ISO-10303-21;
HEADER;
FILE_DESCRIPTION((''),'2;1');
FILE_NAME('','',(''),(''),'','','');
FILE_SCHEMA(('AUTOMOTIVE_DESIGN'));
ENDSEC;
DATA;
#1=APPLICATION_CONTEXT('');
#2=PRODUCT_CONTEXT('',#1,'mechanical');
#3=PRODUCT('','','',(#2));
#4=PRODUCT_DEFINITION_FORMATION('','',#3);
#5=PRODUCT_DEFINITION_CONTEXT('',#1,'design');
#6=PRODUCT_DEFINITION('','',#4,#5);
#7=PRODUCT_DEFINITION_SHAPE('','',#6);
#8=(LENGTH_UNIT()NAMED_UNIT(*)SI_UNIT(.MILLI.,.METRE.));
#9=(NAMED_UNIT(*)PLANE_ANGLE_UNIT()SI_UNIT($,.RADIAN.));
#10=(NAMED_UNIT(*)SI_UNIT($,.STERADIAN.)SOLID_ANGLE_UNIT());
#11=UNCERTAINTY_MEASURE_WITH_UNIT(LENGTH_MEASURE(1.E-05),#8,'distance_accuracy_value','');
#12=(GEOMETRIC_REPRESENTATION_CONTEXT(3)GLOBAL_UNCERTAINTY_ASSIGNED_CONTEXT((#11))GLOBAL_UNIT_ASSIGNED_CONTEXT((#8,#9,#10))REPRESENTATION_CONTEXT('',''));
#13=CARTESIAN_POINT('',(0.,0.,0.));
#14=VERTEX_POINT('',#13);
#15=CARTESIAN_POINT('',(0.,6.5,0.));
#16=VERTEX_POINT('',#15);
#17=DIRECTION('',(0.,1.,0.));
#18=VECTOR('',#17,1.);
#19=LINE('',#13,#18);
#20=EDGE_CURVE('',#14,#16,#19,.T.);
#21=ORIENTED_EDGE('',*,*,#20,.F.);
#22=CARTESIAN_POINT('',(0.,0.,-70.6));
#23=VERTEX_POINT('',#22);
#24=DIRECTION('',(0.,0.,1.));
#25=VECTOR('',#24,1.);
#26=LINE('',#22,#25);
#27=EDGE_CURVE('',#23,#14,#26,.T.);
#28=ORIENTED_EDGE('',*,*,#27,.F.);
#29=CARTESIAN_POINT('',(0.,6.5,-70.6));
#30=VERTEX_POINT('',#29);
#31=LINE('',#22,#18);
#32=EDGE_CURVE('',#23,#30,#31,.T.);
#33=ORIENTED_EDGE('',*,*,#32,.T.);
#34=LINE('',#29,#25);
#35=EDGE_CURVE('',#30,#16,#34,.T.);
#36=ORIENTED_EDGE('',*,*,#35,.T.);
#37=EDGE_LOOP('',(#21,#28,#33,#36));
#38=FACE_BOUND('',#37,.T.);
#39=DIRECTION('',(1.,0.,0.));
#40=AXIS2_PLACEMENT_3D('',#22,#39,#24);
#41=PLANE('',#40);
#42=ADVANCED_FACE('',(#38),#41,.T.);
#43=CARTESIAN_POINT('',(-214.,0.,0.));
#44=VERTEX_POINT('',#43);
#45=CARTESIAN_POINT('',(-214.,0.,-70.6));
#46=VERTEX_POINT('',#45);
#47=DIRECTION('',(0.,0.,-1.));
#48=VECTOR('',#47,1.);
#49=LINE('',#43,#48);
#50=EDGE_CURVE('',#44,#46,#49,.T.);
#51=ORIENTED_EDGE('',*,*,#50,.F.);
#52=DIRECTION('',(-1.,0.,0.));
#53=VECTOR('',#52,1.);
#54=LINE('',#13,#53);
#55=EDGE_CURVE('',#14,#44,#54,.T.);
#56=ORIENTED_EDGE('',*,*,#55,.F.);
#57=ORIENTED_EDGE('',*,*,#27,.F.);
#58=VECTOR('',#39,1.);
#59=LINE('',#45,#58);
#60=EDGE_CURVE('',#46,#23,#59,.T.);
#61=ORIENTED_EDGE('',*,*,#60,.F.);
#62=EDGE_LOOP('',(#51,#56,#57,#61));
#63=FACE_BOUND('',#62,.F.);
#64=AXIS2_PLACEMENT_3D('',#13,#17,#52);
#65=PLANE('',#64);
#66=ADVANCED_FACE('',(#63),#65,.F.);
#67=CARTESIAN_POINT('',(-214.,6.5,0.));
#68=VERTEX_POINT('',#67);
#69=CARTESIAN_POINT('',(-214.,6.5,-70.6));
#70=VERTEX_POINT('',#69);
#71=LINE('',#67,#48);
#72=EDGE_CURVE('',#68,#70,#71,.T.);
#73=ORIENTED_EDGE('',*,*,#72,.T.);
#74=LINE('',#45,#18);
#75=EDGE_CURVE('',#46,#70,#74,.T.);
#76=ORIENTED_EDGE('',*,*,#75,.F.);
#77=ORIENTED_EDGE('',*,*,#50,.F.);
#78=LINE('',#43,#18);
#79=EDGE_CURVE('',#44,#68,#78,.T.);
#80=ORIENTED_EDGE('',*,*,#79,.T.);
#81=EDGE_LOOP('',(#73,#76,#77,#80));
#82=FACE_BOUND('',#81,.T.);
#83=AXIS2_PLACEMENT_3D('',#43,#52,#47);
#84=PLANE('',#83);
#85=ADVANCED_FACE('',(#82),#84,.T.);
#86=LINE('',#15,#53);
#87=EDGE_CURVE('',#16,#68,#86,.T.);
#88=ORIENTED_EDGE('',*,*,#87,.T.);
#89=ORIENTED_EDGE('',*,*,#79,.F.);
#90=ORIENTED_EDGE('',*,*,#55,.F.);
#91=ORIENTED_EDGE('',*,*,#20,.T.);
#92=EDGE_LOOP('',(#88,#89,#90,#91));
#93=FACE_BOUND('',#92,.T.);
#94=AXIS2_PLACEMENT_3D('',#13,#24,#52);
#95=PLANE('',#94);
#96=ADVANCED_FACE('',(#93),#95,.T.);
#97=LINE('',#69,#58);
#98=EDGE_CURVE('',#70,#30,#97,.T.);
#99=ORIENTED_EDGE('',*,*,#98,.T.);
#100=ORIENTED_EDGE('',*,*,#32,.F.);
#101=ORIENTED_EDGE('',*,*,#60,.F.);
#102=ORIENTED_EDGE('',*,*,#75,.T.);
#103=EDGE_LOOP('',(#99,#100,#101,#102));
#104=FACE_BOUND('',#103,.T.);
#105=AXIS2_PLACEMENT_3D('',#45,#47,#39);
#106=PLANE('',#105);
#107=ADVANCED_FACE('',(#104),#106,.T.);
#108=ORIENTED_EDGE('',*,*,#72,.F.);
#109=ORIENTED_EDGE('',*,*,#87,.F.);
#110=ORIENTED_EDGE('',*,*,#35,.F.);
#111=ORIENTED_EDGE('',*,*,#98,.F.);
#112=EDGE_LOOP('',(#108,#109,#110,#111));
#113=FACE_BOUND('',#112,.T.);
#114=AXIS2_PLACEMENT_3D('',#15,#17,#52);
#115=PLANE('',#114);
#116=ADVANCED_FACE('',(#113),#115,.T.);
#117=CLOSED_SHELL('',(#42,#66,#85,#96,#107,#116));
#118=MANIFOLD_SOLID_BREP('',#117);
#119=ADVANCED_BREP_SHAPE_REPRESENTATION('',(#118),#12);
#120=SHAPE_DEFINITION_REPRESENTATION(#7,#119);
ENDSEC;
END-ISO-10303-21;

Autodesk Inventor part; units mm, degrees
ref_plane "YZ Plane" through (0, 0, 0) normal (1, 0, 0) x (0, 1, 0)
ref_plane "XZ Plane" through (0, 0, 0) normal (0, 1, 0) x (-1, 0, 0)
ref_plane "XY Plane" through (0, 0, 0) normal (0, 0, 1) x (1, 0, 0)
sketch "Sketch1" plane through (0, 0, 0) normal (0, 1, 0) x (-1, 0, 0)
  line L0 (0, 0) -> (214, 0)
  line L1 (214, 0) -> (214, -70.6)
  line L2 (214, -70.6) -> (0, -70.6)
  line L3 (0, -70.6) -> (0, 0)
  dimension "d0" = 214
  dimension "d1" = 70.6
extrude "Extrusion1" add sketch "Sketch1" along normal blind 6.5
properties part number "rivet_material"
